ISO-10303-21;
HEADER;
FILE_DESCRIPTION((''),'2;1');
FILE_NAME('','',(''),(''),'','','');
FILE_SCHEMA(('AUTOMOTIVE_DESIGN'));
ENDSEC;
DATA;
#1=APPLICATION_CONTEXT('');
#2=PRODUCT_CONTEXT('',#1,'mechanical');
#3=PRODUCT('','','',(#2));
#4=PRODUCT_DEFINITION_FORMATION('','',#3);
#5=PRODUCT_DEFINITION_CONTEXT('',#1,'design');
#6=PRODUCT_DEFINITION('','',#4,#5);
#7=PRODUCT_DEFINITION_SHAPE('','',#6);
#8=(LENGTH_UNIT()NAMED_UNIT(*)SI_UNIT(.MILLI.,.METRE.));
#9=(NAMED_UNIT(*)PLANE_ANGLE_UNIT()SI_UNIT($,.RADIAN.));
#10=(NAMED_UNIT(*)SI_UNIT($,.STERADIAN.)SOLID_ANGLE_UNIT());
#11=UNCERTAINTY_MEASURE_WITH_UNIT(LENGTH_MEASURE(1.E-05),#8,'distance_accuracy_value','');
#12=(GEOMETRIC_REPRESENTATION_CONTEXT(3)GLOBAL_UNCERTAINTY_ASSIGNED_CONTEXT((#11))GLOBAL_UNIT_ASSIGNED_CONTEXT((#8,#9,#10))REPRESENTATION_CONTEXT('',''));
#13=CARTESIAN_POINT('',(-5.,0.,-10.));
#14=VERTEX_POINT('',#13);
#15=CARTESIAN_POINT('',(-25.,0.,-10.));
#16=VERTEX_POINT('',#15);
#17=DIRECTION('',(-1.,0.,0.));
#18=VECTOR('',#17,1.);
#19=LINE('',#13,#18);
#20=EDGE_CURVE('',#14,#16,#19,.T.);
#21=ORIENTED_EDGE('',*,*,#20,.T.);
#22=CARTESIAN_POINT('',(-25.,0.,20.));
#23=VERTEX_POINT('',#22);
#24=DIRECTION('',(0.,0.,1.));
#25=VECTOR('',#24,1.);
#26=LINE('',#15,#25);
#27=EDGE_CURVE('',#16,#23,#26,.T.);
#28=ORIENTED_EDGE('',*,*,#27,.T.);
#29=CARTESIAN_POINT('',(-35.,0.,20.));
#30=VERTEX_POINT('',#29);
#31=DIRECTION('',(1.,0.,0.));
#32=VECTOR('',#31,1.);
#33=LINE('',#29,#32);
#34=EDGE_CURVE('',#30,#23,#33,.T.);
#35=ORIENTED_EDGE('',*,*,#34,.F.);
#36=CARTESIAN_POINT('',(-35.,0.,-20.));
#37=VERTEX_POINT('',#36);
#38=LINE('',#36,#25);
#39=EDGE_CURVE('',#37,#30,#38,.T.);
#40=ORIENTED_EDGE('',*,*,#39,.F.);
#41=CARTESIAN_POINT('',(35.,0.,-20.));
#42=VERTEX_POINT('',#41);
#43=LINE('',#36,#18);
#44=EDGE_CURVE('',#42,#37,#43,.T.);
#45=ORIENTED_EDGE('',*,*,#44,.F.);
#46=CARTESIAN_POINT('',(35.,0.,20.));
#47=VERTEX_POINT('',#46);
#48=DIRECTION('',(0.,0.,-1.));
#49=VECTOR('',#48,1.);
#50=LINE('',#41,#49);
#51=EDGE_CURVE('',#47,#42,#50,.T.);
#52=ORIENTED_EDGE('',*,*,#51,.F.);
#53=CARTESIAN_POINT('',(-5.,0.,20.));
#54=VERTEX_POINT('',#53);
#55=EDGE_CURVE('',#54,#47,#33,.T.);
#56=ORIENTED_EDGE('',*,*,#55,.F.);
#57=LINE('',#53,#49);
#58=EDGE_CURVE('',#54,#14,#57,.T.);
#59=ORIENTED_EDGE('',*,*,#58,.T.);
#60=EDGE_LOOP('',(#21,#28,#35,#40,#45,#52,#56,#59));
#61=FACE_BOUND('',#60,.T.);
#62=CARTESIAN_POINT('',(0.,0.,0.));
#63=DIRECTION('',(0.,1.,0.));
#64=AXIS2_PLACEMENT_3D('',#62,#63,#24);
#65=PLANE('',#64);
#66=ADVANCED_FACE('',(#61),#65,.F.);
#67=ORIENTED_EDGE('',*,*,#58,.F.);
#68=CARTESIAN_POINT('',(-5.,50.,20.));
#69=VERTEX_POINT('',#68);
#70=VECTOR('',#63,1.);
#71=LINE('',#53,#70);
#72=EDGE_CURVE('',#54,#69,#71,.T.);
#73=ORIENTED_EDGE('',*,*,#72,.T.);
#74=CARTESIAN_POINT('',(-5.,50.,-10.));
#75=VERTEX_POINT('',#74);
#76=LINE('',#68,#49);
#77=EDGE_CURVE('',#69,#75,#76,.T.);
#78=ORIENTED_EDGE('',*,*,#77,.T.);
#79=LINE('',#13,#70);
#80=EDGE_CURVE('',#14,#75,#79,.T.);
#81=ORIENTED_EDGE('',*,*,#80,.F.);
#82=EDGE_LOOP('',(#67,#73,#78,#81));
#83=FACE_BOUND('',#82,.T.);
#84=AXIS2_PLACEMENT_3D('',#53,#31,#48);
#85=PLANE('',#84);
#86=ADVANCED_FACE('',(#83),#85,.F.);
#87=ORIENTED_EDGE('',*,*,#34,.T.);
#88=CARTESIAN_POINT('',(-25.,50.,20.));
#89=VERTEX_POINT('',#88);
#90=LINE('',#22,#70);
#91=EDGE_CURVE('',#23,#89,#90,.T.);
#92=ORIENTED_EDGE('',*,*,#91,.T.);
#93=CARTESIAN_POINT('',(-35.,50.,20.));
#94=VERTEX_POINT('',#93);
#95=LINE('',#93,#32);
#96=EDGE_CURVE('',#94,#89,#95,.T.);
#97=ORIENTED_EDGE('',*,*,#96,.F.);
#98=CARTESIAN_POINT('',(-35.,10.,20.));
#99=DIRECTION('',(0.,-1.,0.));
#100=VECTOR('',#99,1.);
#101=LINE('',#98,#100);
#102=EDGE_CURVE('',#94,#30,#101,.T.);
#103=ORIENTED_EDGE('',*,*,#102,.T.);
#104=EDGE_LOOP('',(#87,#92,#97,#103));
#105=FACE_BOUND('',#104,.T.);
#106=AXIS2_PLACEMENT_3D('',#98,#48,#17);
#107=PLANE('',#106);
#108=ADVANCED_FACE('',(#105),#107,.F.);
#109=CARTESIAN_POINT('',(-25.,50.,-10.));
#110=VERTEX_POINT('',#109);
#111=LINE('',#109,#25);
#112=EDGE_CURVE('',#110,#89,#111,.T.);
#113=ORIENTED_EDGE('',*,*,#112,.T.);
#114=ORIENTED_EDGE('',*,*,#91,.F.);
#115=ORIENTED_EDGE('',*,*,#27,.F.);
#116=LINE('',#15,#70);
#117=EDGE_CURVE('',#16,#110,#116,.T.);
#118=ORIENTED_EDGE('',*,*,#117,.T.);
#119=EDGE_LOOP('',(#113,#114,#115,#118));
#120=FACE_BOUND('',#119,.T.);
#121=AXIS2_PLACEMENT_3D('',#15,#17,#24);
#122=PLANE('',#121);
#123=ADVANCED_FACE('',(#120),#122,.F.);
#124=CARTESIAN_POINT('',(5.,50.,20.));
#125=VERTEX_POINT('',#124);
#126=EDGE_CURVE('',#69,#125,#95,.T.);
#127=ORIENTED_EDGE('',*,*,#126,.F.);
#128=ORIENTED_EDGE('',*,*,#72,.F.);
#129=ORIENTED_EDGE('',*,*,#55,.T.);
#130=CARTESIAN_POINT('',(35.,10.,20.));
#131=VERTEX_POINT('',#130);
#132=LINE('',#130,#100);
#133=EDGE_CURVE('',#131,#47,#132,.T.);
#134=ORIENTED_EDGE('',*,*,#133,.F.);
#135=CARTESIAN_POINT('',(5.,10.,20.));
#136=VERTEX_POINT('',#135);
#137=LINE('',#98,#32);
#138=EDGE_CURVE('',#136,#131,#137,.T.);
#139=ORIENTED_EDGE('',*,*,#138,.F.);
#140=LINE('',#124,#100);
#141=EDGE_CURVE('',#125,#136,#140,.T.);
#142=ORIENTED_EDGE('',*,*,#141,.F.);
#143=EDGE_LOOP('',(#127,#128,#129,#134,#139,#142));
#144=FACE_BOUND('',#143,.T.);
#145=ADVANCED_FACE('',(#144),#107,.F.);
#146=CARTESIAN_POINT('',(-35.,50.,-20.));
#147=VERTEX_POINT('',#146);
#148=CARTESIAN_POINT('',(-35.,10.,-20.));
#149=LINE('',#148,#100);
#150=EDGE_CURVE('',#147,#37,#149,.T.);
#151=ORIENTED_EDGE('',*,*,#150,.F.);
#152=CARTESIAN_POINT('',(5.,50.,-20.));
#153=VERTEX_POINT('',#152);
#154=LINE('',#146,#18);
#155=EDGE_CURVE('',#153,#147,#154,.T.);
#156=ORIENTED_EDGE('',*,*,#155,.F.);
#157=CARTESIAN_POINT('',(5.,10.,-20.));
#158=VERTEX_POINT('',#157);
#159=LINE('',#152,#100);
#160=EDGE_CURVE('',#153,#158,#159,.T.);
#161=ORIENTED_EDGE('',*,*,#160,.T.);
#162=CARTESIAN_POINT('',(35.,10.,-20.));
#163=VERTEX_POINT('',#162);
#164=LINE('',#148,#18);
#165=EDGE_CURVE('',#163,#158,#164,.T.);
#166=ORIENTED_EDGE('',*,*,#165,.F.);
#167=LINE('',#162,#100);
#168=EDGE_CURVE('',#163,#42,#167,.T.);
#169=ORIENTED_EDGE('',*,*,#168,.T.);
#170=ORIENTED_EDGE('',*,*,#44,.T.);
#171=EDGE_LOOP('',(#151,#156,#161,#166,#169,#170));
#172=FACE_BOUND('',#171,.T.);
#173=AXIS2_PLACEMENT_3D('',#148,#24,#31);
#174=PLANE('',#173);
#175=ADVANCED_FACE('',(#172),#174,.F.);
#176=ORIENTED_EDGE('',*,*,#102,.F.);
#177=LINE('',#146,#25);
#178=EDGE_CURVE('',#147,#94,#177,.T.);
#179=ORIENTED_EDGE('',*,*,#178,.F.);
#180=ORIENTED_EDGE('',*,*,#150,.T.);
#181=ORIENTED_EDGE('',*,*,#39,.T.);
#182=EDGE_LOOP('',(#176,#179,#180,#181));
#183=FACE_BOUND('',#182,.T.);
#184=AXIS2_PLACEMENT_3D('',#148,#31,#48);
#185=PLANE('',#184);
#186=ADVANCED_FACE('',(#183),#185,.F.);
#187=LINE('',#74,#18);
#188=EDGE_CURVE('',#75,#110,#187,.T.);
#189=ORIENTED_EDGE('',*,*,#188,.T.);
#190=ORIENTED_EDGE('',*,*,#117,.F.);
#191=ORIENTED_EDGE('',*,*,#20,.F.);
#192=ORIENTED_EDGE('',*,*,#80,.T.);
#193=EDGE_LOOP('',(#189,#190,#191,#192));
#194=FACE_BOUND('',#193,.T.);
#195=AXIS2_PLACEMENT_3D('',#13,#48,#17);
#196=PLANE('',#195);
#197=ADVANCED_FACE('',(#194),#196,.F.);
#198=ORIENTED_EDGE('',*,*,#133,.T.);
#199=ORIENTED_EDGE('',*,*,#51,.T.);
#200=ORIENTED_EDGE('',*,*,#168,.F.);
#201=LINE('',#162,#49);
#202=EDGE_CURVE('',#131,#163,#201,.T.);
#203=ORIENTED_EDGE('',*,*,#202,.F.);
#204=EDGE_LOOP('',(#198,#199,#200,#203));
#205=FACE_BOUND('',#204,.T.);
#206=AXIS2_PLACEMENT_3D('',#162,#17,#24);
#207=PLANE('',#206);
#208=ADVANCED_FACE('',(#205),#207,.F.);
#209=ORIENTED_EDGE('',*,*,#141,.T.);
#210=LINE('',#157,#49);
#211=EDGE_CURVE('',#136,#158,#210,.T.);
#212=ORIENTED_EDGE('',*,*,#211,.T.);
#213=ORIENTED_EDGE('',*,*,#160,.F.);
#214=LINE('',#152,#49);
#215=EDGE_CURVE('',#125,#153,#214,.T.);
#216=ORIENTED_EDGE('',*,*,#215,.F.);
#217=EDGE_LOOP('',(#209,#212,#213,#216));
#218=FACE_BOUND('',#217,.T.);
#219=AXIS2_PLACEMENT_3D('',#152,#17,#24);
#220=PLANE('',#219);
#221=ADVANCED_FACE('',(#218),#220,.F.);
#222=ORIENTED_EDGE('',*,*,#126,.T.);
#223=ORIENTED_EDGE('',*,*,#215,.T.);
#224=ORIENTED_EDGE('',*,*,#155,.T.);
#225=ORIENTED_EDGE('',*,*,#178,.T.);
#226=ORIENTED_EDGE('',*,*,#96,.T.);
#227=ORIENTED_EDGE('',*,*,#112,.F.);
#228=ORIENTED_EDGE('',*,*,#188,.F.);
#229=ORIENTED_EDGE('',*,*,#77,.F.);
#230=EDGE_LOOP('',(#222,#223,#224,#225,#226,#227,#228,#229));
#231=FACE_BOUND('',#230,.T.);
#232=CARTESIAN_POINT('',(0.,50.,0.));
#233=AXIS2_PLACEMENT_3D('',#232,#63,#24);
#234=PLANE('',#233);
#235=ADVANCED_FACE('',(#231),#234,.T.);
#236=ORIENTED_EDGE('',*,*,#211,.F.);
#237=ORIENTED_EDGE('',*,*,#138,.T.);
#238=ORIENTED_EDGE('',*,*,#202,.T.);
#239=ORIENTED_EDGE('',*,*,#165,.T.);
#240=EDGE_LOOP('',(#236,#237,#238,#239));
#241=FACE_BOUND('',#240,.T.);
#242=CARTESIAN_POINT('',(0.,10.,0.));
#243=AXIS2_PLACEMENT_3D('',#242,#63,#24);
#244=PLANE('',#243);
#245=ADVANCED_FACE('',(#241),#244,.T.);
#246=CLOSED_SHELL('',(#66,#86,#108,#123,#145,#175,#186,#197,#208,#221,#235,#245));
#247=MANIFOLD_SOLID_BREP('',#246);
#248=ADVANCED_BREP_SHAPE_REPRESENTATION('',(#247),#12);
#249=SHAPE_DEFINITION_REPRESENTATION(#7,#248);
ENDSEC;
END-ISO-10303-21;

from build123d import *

# Parameters (mm, degrees)
SKETCH1_W           = 70
SKETCH1_H           = 40
BOSS_EXTRUDE1_DEPTH = 10
SKETCH2_W           = 40
SKETCH2_H           = 40
BOSS_EXTRUDE2_DEPTH = 40
SKETCH3_W           = 20
SKETCH3_H           = 30
CUT_EXTRUDE1_DEPTH  = 65.226162893


with BuildPart() as part:
    # Sketch1 → Boss-Extrude1 (new body)
    with BuildSketch(Plane(origin=(0, 0, 0), x_dir=(1, 0, 0), z_dir=(0, 1, 0))):
        Rectangle(SKETCH1_W, SKETCH1_H)
    extrude(amount=BOSS_EXTRUDE1_DEPTH)

    # Sketch2 → Boss-Extrude2 (add)
    with BuildSketch(Plane(origin=(0, 10, 0), x_dir=(1, 0, 0), z_dir=(0, 1, 0))):
        with Locations((-15, 0)):
            Rectangle(SKETCH2_W, SKETCH2_H)
    extrude(amount=BOSS_EXTRUDE2_DEPTH)

    # Sketch3 → Cut-Extrude1 (cut, through all)
    with BuildSketch(Plane(origin=(0, 50, 0), x_dir=(1, 0, 0), z_dir=(0, 1, 0))):
        with Locations((-15, -5)):
            Rectangle(SKETCH3_W, SKETCH3_H)
    extrude(amount=-CUT_EXTRUDE1_DEPTH, mode=Mode.SUBTRACT)


solid = part.part
